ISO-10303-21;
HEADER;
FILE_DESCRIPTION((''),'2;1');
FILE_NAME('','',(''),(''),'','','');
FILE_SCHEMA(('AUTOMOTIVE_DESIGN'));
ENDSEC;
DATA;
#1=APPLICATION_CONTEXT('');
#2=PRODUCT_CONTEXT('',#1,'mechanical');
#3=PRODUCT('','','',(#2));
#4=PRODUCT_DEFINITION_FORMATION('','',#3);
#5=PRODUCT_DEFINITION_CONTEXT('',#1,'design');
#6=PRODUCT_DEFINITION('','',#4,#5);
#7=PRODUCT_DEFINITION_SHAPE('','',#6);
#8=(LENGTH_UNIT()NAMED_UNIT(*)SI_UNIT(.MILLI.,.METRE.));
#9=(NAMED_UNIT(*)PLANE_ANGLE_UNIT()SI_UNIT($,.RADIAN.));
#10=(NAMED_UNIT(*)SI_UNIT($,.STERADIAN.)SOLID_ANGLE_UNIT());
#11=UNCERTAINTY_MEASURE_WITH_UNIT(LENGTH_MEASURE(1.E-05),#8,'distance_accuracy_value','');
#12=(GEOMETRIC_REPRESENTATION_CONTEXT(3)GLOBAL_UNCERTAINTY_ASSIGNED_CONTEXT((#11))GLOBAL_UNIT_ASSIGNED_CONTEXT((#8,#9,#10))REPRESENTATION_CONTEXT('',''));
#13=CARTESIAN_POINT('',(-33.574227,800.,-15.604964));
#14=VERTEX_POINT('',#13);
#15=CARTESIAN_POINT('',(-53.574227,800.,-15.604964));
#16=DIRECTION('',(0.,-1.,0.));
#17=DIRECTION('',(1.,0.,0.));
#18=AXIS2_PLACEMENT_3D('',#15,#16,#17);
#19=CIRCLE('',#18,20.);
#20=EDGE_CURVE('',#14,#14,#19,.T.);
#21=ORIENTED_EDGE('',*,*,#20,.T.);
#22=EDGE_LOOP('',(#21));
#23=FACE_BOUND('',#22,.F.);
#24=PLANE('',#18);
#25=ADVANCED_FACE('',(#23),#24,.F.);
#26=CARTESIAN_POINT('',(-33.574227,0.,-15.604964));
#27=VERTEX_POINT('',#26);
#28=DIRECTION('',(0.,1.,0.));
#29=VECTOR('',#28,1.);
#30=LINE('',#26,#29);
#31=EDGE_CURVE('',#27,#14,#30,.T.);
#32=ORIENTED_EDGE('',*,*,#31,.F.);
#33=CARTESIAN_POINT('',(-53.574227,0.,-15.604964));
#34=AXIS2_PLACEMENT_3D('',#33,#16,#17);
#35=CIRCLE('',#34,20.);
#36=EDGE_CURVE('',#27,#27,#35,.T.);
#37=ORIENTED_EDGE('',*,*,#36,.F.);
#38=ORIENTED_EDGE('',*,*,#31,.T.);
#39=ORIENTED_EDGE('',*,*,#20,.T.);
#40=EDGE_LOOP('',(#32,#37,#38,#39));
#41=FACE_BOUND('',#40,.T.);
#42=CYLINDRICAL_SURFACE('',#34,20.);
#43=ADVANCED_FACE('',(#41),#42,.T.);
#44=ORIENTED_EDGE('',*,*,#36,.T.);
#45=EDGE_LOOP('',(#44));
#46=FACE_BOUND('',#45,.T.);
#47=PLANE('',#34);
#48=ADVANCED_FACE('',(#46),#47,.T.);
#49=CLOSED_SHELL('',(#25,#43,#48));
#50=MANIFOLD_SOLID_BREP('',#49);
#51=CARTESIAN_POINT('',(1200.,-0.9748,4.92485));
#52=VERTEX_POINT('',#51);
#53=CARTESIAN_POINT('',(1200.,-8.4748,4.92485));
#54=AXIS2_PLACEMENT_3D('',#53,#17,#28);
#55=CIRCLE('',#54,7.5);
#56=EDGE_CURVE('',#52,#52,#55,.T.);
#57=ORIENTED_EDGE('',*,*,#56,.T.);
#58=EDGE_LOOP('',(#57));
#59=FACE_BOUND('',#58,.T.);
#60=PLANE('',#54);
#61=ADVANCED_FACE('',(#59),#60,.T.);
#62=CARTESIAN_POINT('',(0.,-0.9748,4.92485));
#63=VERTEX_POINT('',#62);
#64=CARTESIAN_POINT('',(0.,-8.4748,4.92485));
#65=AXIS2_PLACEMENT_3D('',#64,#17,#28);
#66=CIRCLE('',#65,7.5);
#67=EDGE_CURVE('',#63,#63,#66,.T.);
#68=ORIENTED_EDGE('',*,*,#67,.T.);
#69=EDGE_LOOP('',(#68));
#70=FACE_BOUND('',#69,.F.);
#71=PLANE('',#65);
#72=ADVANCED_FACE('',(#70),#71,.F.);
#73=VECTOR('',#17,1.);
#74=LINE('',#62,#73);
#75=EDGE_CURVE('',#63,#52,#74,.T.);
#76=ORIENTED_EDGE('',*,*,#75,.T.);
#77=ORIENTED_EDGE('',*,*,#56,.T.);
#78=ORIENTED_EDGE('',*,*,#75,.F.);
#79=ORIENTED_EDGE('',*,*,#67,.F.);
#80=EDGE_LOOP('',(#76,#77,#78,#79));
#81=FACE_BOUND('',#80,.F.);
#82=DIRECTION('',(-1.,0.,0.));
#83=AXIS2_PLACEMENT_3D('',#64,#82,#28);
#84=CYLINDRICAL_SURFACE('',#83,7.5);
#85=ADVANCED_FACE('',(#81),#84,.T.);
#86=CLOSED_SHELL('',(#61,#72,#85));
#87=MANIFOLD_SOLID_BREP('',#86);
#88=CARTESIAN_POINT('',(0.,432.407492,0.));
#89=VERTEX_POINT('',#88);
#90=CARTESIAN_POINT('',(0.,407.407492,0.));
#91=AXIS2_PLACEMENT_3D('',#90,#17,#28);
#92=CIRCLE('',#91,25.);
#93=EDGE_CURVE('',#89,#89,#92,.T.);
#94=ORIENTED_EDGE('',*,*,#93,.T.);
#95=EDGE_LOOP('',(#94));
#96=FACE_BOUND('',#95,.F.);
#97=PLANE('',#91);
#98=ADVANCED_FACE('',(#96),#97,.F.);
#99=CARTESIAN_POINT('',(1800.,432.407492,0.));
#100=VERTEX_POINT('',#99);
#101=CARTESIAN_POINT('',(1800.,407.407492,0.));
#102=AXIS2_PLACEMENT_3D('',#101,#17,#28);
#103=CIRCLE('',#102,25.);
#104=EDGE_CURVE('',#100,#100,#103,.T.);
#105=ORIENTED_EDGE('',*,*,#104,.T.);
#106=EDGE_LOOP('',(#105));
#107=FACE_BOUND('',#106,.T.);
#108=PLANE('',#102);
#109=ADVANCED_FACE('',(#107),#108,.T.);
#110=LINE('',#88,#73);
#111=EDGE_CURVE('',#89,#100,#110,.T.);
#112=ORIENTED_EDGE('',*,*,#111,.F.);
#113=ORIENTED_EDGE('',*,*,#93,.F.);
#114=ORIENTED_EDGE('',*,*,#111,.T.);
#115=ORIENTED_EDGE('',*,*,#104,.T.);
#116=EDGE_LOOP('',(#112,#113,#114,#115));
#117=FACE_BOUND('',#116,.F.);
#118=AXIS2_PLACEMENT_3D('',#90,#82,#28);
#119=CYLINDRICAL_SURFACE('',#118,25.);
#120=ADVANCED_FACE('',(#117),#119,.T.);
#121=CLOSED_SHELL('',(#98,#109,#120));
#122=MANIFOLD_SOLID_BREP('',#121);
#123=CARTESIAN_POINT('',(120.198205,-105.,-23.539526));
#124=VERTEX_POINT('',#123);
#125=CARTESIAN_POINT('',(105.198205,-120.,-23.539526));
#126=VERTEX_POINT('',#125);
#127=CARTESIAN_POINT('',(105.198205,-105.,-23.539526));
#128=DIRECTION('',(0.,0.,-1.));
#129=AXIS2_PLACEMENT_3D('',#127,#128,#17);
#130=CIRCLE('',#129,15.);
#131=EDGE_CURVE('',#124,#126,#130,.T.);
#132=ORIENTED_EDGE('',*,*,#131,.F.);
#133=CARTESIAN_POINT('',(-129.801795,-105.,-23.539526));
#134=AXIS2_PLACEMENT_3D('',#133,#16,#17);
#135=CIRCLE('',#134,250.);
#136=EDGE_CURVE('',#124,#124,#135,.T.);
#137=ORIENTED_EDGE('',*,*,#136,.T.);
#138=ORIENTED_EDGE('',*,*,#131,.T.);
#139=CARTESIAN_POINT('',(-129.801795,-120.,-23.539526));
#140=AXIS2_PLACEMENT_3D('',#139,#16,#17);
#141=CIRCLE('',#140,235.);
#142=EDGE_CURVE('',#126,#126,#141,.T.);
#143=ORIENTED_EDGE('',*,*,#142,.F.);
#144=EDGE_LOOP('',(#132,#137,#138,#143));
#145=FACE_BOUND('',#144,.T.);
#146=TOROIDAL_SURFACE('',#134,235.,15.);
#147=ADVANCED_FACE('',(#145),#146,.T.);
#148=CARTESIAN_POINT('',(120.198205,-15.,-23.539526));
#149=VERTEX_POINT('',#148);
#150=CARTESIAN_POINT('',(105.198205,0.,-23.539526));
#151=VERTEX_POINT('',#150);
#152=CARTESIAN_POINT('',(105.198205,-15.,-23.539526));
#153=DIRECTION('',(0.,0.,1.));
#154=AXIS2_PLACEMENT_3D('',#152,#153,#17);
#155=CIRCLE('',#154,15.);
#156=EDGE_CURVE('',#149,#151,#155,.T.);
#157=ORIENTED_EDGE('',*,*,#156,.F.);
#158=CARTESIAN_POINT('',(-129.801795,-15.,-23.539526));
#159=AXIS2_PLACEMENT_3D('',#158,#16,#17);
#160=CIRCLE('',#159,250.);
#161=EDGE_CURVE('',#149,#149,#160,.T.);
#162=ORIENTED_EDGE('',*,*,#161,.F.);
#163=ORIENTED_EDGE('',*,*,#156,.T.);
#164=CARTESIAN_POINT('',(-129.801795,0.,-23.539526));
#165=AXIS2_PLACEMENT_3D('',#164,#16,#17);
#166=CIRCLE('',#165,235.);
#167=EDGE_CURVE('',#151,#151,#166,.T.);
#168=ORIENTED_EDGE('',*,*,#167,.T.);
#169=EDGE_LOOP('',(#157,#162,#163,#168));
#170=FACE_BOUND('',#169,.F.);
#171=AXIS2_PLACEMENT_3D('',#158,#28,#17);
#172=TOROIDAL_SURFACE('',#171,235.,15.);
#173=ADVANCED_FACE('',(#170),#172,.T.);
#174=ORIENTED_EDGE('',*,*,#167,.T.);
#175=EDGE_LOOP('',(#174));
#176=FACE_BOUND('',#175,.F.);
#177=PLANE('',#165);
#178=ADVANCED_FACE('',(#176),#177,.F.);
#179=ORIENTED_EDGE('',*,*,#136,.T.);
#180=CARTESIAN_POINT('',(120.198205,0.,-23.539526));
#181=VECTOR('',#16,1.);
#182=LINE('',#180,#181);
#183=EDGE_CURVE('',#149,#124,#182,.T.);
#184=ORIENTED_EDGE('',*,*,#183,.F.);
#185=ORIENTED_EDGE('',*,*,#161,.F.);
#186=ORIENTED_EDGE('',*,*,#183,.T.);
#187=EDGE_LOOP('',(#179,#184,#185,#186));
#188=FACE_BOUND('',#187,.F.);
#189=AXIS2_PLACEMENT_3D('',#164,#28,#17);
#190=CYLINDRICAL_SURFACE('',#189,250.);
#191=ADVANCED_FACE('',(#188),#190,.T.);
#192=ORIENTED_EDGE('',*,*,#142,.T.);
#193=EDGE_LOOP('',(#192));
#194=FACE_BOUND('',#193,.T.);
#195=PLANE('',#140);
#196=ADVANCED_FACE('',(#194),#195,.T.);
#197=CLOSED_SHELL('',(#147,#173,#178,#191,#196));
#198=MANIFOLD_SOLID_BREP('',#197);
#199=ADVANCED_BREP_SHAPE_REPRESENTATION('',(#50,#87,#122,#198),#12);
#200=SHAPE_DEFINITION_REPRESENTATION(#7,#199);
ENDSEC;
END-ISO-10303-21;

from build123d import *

# Parameters (mm, degrees)
F0_R     = 250
F1_DEPTH = 120
F2_R     = 15
F3_R     = 20
F4_DEPTH = 800
F5_R     = 7.5
F6_DEPTH = 1200
F7_R     = 25
F8_DEPTH = 1800


with BuildPart() as f1:
    # F0 (on Front) → F1 (new body)
    with BuildSketch(Plane.XZ):
        with Locations((-129.801795, -23.539526)):
            Circle(F0_R)
    extrude(amount=F1_DEPTH)

    # F2
    f2_edges = [f1.edges().sort_by_distance(p)[0] for p in [
        (-379.801795, 0, -23.539526),
        (120.198205, -60, -23.539526),
        (-379.801795, -120, -23.539526),
    ]]
    fillet(f2_edges, radius=F2_R)


with BuildPart() as f4:
    # F3 (on Front) → F4 (new body)
    with BuildSketch(Plane.XZ):
        with Locations((-53.574227, -15.604964)):
            Circle(F3_R)
    extrude(amount=-F4_DEPTH)


with BuildPart() as f6:
    # F5 (on Right) → F6 (new body)
    with BuildSketch(Plane.YZ):
        with Locations((-8.4748, 4.92485)):
            Circle(F5_R)
    extrude(amount=F6_DEPTH)


with BuildPart() as f8:
    # F7 (on Right) → F8 (new body)
    with BuildSketch(Plane.YZ):
        with Locations((407.407492, 0)):
            Circle(F7_R)
    extrude(amount=F8_DEPTH)


solid = Compound([f1.part, f4.part, f6.part, f8.part])
